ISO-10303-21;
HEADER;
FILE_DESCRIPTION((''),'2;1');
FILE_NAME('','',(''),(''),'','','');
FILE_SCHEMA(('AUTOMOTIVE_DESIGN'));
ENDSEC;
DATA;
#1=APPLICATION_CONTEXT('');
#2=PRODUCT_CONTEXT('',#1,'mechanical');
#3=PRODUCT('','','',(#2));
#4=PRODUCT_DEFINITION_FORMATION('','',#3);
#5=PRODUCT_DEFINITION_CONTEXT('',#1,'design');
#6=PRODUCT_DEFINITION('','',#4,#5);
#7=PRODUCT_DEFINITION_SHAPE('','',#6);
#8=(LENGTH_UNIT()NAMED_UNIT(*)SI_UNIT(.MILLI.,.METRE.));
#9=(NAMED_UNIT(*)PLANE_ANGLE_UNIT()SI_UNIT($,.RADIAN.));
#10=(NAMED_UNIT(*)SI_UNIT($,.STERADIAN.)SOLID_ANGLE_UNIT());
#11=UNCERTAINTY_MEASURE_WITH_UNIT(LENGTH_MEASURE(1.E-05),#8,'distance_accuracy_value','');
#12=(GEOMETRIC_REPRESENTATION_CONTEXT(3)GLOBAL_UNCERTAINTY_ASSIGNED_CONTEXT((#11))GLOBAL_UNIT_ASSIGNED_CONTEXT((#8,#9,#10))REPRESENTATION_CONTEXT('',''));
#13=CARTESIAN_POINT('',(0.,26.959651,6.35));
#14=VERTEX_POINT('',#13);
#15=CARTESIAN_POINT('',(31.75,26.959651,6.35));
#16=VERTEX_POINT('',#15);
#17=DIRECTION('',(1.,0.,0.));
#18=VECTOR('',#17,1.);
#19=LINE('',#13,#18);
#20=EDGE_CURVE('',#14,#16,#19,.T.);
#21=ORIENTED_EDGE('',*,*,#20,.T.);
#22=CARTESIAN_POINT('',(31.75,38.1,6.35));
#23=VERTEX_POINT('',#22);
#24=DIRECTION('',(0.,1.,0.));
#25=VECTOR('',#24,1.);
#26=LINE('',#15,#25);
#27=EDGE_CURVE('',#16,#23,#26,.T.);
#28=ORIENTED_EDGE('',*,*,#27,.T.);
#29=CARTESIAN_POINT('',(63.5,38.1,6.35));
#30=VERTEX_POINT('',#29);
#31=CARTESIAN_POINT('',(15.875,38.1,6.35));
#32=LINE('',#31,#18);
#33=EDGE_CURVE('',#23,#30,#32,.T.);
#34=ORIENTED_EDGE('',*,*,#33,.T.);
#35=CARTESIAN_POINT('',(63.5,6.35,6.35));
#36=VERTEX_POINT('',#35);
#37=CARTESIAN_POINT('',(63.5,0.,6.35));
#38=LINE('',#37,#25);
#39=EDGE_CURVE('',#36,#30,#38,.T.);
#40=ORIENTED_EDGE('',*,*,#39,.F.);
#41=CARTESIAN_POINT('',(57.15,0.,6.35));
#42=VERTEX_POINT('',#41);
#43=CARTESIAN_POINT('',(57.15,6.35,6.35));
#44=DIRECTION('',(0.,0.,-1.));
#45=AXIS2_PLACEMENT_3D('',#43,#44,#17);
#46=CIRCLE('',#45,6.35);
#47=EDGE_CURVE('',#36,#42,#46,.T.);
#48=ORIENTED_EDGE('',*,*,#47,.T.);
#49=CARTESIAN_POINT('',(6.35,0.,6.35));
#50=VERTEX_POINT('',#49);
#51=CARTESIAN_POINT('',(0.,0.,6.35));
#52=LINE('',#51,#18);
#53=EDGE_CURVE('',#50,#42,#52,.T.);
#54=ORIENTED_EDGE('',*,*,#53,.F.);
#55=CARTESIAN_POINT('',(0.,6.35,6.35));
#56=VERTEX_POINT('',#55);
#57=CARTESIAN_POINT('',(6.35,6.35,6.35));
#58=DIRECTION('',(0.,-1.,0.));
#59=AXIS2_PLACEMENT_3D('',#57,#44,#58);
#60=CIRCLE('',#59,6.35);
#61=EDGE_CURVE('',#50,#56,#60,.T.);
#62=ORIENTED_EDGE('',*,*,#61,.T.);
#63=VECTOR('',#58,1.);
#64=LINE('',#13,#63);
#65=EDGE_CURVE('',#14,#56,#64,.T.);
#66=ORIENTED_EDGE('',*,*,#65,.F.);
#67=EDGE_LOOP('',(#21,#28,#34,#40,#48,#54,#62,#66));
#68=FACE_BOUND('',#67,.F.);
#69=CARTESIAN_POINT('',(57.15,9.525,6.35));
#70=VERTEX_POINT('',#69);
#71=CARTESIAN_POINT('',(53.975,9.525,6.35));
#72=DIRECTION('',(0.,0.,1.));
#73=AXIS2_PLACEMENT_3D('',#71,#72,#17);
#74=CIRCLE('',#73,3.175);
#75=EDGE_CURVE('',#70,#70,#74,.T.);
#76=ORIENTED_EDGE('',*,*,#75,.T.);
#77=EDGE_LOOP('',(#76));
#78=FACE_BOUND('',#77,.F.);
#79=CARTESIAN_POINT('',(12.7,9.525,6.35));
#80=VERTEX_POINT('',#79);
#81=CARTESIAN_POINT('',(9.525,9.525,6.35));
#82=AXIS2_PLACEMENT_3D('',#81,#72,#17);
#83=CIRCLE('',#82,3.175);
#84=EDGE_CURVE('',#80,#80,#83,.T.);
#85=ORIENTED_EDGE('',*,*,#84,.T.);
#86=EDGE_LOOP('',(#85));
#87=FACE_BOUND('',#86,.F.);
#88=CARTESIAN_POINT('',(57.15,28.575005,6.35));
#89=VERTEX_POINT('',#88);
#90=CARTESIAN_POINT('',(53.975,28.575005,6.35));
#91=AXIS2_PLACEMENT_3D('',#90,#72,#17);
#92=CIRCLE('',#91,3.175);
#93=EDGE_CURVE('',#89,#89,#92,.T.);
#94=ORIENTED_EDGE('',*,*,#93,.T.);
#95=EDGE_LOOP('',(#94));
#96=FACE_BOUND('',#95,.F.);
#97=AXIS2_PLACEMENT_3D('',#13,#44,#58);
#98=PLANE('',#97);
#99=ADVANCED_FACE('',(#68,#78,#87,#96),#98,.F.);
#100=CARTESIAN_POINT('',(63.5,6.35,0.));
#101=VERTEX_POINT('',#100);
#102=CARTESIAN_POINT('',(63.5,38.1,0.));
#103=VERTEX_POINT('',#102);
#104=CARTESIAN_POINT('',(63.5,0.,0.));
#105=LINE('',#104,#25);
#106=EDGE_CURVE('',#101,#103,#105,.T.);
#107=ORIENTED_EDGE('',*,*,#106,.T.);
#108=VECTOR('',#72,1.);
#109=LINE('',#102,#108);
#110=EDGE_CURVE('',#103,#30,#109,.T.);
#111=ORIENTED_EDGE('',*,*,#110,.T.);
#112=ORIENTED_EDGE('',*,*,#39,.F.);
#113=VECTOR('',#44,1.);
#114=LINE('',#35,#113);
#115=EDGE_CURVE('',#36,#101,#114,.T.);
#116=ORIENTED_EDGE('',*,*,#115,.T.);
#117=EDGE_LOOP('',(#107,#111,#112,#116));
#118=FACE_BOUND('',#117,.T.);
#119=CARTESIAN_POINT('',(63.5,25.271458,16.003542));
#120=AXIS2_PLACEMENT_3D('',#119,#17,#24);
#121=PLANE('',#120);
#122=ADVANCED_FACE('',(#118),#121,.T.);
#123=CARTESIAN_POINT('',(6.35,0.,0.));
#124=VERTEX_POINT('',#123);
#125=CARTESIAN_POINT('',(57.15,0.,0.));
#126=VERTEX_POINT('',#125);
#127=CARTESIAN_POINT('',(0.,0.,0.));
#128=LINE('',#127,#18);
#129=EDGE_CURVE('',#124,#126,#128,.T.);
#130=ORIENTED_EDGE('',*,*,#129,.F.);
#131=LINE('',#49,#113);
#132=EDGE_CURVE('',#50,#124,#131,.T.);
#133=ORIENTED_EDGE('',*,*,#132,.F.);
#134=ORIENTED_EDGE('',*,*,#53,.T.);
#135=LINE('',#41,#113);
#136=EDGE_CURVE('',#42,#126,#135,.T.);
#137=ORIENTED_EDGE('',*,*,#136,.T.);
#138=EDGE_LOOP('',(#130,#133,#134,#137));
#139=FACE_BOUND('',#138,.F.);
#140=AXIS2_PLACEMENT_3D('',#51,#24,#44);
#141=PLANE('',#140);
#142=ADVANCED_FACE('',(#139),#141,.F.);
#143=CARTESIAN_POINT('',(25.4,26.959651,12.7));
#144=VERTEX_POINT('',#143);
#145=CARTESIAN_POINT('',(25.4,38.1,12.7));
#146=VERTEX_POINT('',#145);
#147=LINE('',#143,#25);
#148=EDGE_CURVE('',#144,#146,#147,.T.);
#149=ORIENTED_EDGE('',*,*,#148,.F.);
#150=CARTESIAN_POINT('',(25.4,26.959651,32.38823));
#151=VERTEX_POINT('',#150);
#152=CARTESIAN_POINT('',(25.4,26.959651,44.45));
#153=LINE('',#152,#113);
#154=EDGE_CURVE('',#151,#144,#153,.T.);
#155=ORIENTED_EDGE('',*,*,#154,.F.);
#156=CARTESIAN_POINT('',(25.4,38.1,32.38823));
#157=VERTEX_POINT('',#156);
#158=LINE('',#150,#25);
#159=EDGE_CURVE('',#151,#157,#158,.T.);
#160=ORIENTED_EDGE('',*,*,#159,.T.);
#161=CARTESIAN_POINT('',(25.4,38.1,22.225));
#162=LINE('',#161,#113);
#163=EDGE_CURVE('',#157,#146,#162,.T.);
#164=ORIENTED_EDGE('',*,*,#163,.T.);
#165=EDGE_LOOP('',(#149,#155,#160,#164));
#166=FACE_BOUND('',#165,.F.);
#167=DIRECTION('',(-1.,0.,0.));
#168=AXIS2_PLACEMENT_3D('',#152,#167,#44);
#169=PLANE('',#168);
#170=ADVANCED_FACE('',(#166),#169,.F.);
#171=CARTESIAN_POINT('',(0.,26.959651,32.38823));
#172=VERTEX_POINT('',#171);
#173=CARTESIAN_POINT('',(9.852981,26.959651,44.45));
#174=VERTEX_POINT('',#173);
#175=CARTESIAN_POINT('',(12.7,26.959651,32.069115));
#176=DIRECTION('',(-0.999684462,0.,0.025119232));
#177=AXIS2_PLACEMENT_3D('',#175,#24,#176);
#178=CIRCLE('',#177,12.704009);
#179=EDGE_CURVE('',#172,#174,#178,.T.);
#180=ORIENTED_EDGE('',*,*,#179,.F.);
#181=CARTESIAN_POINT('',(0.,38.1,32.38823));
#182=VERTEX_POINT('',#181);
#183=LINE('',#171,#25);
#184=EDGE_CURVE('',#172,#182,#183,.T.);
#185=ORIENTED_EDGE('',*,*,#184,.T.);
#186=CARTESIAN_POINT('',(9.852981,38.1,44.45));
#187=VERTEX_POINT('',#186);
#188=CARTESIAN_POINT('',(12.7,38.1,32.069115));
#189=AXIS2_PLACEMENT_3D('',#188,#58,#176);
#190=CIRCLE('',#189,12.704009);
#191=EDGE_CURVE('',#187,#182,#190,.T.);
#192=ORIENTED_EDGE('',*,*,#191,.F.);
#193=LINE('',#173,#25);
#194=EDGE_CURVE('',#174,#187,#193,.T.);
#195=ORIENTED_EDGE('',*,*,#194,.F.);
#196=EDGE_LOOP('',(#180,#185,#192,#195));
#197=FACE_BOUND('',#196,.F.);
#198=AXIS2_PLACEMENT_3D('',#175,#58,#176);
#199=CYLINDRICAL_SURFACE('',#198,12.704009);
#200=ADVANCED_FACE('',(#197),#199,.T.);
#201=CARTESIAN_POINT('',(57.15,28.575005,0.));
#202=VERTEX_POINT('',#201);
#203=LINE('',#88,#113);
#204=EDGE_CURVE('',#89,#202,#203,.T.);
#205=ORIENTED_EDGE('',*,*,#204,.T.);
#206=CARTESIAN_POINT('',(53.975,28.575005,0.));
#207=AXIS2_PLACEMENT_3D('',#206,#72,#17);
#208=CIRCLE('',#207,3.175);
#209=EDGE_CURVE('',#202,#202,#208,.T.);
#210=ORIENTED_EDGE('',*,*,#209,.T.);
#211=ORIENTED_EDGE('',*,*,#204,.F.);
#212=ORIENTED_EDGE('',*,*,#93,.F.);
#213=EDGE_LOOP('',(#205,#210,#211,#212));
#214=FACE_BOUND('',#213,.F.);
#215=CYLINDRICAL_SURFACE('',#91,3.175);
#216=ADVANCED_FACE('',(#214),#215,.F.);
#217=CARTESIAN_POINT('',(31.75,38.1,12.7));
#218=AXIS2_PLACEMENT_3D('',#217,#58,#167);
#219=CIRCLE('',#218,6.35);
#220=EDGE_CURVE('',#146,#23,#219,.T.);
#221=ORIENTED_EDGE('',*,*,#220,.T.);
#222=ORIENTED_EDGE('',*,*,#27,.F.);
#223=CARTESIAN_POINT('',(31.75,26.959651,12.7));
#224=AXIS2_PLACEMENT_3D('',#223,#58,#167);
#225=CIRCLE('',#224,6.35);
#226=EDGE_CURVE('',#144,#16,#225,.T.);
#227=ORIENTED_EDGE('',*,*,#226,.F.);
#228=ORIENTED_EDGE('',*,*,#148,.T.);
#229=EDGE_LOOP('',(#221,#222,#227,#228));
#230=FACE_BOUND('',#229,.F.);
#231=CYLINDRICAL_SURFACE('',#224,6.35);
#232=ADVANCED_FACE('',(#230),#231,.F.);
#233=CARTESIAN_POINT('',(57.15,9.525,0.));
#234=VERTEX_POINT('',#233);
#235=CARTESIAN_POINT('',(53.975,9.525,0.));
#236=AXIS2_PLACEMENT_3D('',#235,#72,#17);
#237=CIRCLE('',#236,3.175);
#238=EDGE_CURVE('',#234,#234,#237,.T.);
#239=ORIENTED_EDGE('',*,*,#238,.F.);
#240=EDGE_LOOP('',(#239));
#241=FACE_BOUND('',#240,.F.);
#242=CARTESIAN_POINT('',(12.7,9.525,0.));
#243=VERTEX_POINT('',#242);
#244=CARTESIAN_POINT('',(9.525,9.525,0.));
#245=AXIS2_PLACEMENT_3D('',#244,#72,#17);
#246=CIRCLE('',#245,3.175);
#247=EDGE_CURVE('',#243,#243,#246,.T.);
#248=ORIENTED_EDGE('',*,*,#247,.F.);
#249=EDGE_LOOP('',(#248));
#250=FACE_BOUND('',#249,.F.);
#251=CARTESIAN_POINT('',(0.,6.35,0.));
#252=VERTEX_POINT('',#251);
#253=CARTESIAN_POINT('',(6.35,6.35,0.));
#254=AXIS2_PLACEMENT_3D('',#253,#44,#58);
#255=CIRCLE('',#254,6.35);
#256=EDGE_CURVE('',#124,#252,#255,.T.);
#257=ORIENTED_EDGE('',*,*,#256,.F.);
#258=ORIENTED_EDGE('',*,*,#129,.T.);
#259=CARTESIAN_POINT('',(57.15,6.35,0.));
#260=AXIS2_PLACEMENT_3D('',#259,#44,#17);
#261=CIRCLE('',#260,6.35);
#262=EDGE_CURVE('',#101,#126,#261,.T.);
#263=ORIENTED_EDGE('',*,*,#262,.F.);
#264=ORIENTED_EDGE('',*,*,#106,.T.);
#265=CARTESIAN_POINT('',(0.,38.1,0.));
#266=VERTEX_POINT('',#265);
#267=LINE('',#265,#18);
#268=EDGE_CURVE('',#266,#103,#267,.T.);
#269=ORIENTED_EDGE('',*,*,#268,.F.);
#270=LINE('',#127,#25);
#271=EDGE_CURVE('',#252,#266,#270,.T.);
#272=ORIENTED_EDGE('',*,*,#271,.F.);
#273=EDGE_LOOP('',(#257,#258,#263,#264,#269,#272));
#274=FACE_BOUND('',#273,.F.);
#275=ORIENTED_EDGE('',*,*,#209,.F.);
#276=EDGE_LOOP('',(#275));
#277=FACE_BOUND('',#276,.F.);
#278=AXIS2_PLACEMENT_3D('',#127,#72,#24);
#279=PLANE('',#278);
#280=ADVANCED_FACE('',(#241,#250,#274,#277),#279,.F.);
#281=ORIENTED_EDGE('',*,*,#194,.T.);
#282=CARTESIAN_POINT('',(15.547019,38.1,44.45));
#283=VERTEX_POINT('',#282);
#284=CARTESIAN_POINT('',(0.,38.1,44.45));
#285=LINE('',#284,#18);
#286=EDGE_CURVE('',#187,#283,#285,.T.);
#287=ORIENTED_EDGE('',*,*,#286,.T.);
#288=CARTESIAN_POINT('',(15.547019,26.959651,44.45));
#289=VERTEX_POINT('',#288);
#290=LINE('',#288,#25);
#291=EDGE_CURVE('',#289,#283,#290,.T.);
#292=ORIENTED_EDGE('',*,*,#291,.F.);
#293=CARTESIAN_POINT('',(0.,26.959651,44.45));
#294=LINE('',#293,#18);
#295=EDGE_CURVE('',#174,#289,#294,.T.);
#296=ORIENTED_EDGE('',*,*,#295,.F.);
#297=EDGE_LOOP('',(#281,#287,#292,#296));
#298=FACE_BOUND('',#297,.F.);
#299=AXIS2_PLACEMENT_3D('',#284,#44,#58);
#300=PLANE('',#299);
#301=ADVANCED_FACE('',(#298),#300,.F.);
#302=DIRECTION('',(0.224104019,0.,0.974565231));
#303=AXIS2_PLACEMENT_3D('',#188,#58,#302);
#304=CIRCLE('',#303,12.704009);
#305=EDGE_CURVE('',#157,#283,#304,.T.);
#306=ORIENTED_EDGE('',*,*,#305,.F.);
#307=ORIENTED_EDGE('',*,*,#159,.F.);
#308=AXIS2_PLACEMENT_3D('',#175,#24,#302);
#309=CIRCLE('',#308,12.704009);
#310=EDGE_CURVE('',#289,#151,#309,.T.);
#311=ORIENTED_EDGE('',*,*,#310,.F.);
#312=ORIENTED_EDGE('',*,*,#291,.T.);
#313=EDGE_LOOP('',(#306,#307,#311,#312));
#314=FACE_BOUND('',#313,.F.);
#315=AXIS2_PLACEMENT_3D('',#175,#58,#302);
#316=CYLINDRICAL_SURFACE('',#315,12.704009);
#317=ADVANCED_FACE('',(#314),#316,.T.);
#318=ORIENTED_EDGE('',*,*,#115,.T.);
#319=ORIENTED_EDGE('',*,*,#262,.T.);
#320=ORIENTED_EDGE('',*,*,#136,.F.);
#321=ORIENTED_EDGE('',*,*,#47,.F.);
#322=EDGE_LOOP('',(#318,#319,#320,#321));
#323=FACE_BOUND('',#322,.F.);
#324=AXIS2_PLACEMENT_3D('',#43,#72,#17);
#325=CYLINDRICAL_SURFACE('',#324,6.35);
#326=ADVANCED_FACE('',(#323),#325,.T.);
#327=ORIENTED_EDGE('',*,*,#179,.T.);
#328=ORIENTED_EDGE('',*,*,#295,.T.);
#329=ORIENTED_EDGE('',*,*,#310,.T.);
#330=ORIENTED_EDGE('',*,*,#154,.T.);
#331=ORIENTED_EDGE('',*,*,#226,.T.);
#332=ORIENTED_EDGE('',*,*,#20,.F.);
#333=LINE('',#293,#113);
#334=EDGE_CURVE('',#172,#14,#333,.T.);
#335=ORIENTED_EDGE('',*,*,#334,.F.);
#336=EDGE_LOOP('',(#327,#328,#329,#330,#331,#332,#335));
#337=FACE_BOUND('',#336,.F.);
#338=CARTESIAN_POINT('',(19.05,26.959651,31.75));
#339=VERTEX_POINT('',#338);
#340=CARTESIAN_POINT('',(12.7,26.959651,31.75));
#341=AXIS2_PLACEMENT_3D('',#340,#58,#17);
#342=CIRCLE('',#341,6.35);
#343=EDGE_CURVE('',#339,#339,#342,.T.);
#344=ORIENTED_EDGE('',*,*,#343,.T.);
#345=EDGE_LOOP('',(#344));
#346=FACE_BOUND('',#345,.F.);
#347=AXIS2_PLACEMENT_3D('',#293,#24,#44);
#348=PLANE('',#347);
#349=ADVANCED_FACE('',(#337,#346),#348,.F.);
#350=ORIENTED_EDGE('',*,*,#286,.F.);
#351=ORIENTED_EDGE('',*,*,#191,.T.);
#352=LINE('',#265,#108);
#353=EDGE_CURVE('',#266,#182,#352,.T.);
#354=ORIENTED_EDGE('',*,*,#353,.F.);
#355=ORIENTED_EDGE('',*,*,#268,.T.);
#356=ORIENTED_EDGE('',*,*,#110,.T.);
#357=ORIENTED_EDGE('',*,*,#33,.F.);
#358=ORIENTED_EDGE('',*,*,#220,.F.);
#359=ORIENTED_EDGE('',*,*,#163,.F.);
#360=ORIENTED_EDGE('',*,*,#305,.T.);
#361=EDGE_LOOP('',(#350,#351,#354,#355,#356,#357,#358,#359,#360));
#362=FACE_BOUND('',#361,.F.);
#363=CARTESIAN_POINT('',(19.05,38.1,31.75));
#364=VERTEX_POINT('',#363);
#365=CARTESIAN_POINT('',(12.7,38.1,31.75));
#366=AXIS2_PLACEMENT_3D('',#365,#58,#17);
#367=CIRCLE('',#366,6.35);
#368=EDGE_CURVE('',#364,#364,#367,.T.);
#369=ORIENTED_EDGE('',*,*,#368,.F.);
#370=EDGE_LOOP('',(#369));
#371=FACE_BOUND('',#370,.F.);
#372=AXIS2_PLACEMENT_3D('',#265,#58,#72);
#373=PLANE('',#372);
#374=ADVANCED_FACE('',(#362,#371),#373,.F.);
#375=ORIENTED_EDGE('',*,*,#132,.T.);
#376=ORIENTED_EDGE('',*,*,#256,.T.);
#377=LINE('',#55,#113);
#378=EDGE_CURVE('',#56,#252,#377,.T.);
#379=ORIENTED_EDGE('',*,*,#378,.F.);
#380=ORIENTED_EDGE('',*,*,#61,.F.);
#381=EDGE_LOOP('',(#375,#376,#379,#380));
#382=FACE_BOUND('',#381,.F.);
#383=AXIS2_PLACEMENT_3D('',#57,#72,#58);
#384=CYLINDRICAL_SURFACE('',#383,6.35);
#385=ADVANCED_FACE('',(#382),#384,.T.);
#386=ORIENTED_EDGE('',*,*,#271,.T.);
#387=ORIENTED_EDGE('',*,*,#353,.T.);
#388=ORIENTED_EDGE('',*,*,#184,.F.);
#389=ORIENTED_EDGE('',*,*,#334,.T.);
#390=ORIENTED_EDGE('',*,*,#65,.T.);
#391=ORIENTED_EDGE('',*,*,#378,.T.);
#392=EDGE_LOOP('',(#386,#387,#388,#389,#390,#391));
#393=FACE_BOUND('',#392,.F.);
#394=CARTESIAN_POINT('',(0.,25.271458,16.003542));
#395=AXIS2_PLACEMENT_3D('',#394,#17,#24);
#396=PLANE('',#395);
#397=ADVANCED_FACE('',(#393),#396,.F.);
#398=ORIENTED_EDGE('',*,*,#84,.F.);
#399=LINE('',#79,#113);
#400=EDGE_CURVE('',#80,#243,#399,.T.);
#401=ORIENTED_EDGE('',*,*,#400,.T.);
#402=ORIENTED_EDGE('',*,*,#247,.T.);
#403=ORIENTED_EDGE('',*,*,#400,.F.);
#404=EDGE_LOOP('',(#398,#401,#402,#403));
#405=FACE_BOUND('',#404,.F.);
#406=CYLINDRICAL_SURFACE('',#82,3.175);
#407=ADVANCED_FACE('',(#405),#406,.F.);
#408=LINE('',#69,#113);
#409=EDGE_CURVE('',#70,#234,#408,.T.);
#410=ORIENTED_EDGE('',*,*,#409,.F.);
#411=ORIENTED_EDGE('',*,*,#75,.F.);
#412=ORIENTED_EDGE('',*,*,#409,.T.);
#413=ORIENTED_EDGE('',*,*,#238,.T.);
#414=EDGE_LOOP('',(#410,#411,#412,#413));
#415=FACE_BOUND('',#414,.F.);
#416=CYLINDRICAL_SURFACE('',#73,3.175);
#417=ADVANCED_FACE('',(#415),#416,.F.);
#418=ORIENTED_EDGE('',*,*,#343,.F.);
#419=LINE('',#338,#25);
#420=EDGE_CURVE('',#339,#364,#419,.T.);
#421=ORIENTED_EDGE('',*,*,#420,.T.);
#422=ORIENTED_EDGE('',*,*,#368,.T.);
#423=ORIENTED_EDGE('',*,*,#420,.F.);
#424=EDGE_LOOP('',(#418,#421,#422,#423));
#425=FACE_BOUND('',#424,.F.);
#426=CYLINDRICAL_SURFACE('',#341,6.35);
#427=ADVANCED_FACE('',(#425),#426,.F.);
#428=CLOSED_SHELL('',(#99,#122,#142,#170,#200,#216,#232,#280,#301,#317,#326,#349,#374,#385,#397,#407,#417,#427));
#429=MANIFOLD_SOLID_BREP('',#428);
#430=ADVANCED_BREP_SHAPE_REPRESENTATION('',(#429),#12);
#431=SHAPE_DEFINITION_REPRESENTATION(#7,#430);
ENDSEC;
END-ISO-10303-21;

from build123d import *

# Parameters (mm, degrees)
F1_DEPTH = 63.5
F3_DEPTH = 12.7
F4_R     = 6.35
F5_DEPTH = 12.7
F6_R     = 3.175
F7_DEPTH = 6.35


with BuildPart() as f1:
    # F0 (on Right) → F1 (new body)
    with BuildSketch(Plane.YZ):
        Polygon((0, 6.35), (0, 0), (38.1, 0), (38.1, 44.45), (26.9596510282, 44.45), (26.9596510282, 6.35), align=None)
    extrude(amount=F1_DEPTH)

    # F2 (on face) → F3 (cut)
    with BuildSketch(Plane.XZ.offset(-26.9596510282)):
        with BuildLine():
            Line((63.5, 44.45), (25.4, 44.45))
            Line((25.4, 44.45), (25.4, 12.7))
            ThreePointArc((25.4, 12.7), (27.2598719395, 8.2098719395), (31.75, 6.35))
            Line((31.75, 6.35), (63.5, 6.35))
            Line((63.5, 6.35), (63.5, 44.45))
        make_face()
    extrude(amount=-F3_DEPTH, mode=Mode.SUBTRACT)

    # F4 (on face) → F5 (cut)
    with BuildSketch(Plane.XZ.offset(-26.9596510282)):
        with BuildLine():
            ThreePointArc((15.5470193775, 44.45), (22.5386496815, 40.1060799579), (25.4, 32.3882298689))
            Line((25.4, 32.3882298689), (25.4, 44.45))
            Line((25.4, 44.45), (15.5470193775, 44.45))
        make_face()
        with Locations((12.7, 31.75)):
            Circle(F4_R)
        with BuildLine():
            ThreePointArc((0, 32.3882298689), (2.8613503185, 40.1060799579), (9.8529806225, 44.45))
            Line((9.8529806225, 44.45), (0, 44.45))
            Line((0, 44.45), (0, 32.3882298689))
        make_face()
    extrude(amount=-F5_DEPTH, mode=Mode.SUBTRACT)

    # F6 (on face) → F7 (cut)
    with BuildSketch(Plane.XY.offset(6.35)):
        with Locations((53.975, 9.525)):
            Circle(F6_R)
        with BuildLine():
            ThreePointArc((63.5, 6.35), (61.6401280605, 1.8598719395), (57.15, 0))
            Line((57.15, 0), (63.5, 0))
            Line((63.5, 0), (63.5, 6.35))
        make_face()
        with BuildLine():
            ThreePointArc((6.35, 0), (1.8598719395, 1.8598719395), (0, 6.35))
            Line((0, 6.35), (0, 0))
            Line((0, 0), (6.35, 0))
        make_face()
        with Locations((9.525, 9.525)):
            Circle(F6_R)
        with Locations((53.975, 28.575005229)):
            Circle(F6_R)
    extrude(amount=-F7_DEPTH, mode=Mode.SUBTRACT)


solid = f1.part
